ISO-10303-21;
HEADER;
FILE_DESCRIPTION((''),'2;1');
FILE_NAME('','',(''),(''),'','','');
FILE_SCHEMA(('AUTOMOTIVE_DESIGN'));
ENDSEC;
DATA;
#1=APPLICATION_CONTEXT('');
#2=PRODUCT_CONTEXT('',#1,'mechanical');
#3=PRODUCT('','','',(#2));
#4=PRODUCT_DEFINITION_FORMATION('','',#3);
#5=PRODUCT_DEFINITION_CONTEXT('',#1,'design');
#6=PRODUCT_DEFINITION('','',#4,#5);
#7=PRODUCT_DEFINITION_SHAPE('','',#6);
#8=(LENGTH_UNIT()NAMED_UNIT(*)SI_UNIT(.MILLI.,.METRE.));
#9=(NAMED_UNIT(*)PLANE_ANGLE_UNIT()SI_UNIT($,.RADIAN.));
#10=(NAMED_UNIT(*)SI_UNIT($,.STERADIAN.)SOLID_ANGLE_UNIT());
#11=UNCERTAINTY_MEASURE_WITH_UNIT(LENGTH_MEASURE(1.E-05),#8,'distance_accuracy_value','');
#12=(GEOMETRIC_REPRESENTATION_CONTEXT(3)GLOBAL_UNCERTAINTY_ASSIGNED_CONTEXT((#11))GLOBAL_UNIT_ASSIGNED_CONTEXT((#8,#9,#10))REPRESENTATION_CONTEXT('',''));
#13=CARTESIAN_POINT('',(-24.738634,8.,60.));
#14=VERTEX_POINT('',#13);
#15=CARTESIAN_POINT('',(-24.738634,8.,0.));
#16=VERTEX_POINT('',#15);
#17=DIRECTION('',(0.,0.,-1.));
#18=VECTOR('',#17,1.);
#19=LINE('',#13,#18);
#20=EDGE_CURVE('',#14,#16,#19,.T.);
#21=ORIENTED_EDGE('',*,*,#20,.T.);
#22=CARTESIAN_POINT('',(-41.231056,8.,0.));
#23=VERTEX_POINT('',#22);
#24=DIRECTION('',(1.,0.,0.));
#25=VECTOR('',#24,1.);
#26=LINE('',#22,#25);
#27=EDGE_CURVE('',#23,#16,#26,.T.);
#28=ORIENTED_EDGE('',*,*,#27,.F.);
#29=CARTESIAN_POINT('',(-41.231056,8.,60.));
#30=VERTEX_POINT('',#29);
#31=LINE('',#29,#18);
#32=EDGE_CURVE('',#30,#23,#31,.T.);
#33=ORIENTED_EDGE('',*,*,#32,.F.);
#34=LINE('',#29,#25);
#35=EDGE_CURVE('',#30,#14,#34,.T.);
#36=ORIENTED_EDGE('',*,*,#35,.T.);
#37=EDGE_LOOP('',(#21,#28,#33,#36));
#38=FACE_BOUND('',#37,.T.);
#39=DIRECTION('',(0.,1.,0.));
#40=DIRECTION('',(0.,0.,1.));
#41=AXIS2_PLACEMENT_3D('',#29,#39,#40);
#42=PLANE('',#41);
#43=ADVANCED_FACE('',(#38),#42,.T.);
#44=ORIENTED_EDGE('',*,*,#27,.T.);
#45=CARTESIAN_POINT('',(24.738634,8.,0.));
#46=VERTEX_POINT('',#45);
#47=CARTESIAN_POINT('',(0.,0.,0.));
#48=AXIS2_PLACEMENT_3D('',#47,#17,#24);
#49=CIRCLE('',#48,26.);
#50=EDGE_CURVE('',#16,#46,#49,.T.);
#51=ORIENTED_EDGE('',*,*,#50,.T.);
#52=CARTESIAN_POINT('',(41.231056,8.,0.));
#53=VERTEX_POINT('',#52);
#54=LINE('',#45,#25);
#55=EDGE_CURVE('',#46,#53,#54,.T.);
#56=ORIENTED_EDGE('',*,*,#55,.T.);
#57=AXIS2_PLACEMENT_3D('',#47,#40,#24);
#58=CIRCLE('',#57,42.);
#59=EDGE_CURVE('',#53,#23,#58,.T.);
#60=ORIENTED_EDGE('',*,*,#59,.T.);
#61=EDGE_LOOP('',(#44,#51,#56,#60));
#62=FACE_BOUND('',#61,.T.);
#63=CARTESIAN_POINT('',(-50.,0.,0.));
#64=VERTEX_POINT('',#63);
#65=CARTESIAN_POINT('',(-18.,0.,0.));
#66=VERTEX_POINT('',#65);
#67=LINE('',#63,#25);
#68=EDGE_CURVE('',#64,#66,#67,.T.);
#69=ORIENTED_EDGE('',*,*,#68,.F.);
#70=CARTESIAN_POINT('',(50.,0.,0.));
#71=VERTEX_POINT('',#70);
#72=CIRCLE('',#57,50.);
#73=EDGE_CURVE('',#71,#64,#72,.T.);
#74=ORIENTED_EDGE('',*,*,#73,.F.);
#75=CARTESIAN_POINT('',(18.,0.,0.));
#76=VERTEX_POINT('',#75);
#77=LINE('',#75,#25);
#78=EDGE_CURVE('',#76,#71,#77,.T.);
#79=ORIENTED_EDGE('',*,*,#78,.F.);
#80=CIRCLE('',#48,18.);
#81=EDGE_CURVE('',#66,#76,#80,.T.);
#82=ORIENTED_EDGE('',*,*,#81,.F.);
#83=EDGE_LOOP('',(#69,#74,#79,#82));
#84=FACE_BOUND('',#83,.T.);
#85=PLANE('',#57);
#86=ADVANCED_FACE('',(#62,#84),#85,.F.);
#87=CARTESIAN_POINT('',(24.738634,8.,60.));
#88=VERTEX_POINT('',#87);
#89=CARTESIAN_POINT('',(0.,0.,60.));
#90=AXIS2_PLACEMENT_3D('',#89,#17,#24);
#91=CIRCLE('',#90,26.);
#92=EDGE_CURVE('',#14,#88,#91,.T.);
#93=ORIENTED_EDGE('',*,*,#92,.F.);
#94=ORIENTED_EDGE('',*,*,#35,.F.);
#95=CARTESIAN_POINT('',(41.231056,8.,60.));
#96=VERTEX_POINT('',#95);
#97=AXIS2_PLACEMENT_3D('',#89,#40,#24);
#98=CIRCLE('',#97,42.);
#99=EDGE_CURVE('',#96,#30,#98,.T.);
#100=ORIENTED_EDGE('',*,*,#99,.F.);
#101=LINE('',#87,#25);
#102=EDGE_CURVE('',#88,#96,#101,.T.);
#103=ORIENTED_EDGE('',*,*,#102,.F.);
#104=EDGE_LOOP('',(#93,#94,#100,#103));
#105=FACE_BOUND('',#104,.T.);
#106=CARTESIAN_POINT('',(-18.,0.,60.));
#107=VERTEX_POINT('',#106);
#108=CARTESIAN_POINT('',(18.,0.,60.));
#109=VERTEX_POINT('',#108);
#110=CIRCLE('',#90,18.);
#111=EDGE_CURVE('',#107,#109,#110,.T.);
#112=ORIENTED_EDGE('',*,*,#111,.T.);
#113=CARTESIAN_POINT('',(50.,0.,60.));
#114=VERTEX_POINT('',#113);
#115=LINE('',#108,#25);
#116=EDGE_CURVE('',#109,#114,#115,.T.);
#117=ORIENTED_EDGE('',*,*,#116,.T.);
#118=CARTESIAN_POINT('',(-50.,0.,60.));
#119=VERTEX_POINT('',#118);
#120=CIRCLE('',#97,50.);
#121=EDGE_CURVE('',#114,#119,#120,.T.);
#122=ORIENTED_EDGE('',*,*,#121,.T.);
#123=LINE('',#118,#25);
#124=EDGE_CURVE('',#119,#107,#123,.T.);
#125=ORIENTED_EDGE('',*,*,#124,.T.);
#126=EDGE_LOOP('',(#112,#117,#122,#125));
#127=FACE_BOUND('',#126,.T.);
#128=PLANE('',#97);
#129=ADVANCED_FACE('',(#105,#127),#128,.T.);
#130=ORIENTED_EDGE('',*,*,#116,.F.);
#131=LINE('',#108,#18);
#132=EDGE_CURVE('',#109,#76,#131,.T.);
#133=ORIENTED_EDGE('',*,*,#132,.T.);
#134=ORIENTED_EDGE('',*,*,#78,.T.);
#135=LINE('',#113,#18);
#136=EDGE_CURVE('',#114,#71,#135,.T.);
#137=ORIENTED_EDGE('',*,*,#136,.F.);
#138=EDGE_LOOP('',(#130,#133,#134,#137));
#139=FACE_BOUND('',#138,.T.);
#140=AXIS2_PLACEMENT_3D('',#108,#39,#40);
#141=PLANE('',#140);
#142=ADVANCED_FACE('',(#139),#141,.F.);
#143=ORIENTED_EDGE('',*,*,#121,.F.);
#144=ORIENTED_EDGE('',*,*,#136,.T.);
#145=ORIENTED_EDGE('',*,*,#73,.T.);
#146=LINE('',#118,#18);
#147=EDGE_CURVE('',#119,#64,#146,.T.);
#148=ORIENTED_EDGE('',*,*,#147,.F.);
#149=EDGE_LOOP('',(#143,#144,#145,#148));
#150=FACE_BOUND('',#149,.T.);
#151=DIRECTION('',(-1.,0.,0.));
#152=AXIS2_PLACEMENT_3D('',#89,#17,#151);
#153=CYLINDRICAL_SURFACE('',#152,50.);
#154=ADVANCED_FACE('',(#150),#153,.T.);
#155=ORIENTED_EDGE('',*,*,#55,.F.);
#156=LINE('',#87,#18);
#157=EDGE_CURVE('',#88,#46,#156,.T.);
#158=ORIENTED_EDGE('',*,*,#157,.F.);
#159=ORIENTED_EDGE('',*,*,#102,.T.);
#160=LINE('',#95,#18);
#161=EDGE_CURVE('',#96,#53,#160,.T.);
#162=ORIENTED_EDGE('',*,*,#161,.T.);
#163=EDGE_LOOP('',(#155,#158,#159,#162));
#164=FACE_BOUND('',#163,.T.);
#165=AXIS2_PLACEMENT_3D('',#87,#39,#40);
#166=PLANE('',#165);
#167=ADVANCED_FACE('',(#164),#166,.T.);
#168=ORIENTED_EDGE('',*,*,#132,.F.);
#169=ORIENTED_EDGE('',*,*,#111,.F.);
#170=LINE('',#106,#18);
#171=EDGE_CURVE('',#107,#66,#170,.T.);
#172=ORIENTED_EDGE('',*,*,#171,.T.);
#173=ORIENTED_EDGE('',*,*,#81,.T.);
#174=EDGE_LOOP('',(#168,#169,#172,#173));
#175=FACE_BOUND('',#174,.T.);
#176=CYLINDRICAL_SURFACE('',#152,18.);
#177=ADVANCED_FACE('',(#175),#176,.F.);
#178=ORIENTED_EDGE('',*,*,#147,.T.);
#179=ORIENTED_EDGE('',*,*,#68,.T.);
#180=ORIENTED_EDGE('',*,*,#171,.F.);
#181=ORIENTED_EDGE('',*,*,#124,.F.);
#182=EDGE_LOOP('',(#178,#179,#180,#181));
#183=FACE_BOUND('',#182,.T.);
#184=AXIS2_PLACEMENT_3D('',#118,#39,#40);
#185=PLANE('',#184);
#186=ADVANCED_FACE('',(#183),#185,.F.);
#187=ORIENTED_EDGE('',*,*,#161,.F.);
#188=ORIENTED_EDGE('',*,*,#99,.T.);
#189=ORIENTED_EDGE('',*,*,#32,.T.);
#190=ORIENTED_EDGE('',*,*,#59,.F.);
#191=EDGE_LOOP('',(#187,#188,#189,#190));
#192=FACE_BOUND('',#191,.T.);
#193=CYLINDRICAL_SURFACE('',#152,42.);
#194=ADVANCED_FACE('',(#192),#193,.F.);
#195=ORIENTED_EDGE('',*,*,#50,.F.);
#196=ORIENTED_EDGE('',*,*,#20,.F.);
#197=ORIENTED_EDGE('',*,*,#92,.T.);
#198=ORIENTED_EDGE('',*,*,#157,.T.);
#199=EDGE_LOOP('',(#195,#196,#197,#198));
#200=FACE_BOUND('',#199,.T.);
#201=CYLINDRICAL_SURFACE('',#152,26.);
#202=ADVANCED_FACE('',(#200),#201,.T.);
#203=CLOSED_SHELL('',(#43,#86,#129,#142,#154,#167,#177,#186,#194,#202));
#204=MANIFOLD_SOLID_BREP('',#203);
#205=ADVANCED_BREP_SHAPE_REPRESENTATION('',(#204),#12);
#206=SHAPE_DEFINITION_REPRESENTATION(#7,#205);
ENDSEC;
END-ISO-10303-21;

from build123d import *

# Parameters (mm, degrees)
EXTRUDE_1_DEPTH = 60


with BuildPart() as part:
    # 草图1 → 凸台-拉伸1 (new body)
    with BuildSketch(Plane.XY):
        with BuildLine():
            Line((-50, 0), (-18, 0))
            ThreePointArc((-18, 0), (0, 18), (18, 0))
            Line((18, 0), (50, 0))
            ThreePointArc((50, 0), (0, 50), (-50, 0))
        make_face()
        with BuildLine():
            Line((-41.231056256, 8), (-24.738633754, 8))
            ThreePointArc((-24.738633754, 8), (0, 26), (24.738633754, 8))
            Line((24.738633754, 8), (41.231056256, 8))
            ThreePointArc((41.231056256, 8), (0, 42), (-41.231056256, 8))
        make_face(mode=Mode.SUBTRACT)
    extrude(amount=EXTRUDE_1_DEPTH)


solid = part.part
